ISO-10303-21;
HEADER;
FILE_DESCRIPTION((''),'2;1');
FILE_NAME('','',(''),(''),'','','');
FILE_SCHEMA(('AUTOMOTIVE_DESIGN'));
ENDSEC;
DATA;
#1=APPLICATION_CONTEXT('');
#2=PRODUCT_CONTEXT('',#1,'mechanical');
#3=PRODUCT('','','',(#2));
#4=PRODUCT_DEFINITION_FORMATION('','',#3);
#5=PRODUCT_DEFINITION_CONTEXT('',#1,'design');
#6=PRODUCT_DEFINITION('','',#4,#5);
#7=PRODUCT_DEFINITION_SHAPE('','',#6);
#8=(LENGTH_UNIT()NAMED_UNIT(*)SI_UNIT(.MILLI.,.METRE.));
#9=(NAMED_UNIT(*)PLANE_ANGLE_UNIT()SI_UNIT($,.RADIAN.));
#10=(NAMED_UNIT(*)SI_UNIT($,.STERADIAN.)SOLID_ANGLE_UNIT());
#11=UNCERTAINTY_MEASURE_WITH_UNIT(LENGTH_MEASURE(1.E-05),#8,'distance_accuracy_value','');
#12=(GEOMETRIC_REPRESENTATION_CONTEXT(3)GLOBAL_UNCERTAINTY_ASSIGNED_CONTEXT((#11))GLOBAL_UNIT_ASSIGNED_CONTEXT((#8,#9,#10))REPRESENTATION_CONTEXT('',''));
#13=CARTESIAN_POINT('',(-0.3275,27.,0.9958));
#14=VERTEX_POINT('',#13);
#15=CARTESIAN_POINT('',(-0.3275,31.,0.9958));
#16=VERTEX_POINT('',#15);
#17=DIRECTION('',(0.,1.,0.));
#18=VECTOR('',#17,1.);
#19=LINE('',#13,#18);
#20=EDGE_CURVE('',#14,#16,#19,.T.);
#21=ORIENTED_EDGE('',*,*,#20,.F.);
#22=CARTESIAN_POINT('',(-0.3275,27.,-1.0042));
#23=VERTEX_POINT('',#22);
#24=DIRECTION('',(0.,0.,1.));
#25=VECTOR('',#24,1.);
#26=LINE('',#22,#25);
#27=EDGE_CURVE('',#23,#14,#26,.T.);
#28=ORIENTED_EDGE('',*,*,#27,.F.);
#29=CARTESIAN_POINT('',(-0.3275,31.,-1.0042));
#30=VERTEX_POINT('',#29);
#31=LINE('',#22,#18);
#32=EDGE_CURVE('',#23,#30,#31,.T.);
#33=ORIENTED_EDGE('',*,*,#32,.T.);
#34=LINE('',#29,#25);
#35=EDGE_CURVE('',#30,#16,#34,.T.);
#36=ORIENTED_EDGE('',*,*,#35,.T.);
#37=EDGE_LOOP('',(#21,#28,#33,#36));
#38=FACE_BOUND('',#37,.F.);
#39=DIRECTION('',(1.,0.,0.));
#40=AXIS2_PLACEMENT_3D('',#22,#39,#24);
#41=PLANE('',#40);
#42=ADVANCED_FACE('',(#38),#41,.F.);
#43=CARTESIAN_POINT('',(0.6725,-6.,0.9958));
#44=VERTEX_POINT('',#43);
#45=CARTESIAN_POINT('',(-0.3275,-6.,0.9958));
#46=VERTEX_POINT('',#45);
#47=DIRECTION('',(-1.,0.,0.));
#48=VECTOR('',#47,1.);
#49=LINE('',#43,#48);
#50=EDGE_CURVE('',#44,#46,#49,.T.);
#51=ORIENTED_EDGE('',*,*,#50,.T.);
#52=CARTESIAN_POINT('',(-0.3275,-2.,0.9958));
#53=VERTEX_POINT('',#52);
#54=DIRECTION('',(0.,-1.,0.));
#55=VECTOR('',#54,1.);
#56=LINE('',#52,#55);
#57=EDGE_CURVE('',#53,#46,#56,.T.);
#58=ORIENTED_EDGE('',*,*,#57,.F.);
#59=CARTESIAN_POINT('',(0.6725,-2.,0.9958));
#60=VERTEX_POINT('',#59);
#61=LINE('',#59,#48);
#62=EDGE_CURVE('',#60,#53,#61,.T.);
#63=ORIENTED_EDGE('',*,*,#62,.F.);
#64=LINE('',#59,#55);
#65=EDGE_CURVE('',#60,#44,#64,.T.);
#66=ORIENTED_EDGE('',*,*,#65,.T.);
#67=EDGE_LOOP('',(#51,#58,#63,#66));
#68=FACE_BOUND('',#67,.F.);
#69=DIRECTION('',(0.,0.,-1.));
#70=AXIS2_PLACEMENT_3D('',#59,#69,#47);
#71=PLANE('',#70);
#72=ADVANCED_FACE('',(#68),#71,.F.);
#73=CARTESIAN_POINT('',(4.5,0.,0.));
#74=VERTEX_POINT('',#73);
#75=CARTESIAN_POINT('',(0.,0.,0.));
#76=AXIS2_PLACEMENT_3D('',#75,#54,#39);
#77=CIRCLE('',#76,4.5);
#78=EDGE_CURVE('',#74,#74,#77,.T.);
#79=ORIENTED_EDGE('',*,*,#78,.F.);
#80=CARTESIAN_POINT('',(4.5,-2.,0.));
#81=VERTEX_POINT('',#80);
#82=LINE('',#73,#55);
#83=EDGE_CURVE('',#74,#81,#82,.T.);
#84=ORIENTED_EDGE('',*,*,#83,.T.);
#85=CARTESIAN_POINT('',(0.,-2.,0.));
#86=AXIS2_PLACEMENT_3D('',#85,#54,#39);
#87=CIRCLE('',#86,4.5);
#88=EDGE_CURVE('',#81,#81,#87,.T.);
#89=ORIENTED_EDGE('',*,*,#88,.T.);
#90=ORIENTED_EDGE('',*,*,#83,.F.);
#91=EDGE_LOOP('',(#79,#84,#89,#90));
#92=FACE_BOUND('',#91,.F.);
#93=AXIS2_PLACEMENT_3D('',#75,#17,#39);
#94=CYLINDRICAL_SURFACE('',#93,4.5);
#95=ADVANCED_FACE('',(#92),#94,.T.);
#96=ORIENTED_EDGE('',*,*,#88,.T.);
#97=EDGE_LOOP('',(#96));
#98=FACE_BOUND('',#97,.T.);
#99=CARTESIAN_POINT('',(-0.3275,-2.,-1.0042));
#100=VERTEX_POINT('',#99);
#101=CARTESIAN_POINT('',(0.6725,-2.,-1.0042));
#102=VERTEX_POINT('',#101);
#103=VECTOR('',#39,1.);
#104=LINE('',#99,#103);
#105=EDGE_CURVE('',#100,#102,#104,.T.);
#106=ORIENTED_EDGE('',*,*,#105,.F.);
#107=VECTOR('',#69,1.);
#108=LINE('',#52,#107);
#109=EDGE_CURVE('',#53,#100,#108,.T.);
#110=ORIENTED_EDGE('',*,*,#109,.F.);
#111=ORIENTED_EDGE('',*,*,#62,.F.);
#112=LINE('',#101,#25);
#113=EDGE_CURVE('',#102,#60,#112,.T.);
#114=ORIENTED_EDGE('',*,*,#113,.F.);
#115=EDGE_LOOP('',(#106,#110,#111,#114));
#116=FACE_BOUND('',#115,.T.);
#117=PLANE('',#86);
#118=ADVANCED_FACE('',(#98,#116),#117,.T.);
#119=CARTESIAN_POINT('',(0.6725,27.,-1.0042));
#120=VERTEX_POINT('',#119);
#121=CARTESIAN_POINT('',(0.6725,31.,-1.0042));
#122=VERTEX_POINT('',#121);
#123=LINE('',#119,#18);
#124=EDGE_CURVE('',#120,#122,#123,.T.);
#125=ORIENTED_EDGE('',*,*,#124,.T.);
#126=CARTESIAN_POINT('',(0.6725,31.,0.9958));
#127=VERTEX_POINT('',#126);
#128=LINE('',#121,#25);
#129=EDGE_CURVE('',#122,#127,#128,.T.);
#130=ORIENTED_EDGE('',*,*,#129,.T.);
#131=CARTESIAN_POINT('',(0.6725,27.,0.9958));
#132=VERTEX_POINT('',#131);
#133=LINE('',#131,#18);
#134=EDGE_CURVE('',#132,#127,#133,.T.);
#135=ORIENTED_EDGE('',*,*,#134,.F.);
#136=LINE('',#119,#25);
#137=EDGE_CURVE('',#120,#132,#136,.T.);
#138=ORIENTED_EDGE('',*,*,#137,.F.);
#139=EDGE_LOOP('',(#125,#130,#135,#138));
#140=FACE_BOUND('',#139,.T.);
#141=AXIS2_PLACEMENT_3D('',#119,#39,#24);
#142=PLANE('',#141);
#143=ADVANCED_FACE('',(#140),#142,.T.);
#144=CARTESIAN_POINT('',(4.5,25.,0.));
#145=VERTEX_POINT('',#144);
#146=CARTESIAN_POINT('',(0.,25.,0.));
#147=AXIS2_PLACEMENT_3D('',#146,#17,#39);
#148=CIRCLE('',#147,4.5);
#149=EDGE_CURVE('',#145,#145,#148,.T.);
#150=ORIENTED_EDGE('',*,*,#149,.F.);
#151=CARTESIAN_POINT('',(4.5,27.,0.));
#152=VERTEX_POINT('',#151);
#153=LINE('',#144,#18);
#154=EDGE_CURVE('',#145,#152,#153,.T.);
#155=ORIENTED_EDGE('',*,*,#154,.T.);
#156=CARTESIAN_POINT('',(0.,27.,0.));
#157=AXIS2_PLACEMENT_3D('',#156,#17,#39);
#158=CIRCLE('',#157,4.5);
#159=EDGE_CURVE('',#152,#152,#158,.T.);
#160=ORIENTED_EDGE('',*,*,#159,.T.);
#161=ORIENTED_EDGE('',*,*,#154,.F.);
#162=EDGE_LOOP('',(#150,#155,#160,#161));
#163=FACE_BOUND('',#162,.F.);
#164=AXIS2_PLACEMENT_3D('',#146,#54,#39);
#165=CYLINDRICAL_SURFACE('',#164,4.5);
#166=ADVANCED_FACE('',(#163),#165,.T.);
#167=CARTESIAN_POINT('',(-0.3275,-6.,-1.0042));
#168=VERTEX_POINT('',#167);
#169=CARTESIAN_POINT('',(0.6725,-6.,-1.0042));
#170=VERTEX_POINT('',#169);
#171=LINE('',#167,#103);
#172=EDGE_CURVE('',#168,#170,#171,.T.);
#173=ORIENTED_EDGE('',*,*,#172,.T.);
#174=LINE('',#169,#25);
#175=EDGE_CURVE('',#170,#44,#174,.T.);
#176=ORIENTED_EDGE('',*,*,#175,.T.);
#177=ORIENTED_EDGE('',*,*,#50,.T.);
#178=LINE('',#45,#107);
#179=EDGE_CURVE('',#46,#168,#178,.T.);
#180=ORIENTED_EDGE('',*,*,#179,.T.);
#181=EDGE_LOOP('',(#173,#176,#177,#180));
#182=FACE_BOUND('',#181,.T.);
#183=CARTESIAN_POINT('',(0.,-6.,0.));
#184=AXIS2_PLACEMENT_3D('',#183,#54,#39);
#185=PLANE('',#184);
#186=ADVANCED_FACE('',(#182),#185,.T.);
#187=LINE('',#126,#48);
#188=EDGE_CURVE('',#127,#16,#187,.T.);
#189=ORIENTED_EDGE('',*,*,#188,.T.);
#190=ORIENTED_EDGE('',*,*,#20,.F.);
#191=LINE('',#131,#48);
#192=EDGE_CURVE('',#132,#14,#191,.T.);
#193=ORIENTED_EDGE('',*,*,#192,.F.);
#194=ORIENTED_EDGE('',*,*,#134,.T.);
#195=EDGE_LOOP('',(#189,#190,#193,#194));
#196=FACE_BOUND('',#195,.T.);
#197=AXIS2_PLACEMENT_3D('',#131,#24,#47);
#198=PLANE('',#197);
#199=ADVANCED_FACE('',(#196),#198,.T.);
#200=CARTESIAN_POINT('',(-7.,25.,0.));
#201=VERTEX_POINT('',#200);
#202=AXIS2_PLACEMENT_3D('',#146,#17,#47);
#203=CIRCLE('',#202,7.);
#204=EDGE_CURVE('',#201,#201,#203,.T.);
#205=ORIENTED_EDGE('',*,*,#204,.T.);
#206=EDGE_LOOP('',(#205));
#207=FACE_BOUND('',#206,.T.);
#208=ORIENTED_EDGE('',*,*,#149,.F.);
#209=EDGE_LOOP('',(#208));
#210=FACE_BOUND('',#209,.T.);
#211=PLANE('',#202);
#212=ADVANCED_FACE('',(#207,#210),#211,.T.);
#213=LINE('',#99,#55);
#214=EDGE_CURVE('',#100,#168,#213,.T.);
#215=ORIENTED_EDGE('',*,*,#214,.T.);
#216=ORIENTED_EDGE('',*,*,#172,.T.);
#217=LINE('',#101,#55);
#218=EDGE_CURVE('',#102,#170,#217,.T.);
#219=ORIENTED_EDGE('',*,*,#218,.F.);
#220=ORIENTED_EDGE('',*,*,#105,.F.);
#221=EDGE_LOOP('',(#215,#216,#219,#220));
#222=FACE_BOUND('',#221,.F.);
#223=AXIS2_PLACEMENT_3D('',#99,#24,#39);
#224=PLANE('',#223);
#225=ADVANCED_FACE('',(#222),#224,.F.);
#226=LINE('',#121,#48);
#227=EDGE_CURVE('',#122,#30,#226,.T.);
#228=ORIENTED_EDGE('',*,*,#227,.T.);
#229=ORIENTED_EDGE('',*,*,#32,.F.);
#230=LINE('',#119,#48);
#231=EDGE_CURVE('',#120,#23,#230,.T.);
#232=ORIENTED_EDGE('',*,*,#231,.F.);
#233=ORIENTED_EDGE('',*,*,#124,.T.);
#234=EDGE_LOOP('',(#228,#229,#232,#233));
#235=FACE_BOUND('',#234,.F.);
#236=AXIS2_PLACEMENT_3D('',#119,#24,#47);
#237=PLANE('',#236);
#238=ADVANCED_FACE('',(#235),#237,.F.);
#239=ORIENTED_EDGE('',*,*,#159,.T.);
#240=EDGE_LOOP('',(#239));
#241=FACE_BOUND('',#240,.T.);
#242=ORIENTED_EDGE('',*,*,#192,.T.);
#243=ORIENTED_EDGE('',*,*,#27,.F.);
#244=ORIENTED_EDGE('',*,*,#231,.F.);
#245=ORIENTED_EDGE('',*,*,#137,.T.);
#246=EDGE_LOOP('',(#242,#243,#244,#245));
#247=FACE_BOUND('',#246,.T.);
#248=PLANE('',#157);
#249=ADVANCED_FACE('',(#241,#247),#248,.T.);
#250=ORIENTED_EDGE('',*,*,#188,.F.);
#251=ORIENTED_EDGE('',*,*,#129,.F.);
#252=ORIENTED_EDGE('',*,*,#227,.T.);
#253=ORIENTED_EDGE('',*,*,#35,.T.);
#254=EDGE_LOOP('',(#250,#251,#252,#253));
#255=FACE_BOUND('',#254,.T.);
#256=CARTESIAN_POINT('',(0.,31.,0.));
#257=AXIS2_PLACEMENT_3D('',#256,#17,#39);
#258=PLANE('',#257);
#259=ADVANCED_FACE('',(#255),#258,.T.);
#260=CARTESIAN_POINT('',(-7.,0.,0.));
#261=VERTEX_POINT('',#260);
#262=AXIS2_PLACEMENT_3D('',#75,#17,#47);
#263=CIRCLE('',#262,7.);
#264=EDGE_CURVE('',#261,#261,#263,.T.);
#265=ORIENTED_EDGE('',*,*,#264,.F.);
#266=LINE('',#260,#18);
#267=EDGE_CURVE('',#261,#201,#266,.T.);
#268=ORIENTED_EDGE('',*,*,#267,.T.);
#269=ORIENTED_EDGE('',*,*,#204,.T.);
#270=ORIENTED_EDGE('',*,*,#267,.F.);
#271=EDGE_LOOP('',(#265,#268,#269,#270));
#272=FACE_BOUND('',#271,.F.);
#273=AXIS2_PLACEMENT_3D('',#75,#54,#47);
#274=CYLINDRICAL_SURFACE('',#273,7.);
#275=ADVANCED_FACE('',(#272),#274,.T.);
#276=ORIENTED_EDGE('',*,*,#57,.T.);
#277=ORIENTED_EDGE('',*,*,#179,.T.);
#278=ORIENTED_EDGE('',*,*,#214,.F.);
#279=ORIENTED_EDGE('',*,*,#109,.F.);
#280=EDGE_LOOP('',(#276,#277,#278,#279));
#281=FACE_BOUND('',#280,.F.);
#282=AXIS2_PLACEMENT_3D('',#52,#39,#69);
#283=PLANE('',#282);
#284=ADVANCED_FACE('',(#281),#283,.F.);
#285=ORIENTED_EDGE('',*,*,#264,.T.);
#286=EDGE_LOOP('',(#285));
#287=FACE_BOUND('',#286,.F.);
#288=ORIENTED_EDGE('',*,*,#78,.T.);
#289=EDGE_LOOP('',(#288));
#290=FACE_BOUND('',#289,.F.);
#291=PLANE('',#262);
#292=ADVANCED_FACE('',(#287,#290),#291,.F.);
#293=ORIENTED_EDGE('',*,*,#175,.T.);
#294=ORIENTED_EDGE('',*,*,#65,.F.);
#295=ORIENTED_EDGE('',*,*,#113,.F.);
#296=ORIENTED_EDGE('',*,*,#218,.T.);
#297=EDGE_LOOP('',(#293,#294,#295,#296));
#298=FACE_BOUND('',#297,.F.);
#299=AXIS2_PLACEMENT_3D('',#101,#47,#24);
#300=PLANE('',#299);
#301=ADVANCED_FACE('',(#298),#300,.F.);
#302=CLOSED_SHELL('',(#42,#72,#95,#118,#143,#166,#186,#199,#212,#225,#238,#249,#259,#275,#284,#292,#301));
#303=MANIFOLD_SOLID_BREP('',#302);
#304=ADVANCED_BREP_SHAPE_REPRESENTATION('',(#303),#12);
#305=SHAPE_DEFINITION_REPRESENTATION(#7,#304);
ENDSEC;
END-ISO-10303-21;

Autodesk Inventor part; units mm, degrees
ref_plane "YZ Plane" through (0, 0, 0) normal (1, 0, 0) x (0, 1, 0)
ref_plane "XZ Plane" through (0, 0, 0) normal (0, 1, 0) x (-1, 0, 0)
ref_plane "XY Plane" through (0, 0, 0) normal (0, 0, 1) x (1, 0, 0)
sketch "Sketch1" plane through (0, 0, 0) normal (0, 1, 0) x (-1, 0, 0)
  circle A0 centre (0, 0) radius 7
  dimension "d0" = 14
extrude "Extrusion1" add sketch "Sketch1" along normal blind 25
sketch "Sketch2" plane through (0, 25, 0) normal (0, 1, 0) x (1, 0, 0)
  circle A0 centre (0, 0) radius 4.5
  dimension "d3" = 9
sketch "Sketch3" plane through (0, 0, 0) normal (0, -1, 0) x (1, 0, 0)
  circle A0 centre (0, 0) radius 4.5
  dimension "d4" = 9
extrude "Extrusion2" add sketch "Sketch3" along normal mid plane 4
extrude "Extrusion3" add sketch "Sketch2" along normal blind 2
sketch "Sketch4" plane through (0, -2, 0) normal (0, -1, 0) x (1, 0, 0)
  line L0 (-0.3275, -1.0042) -> (0.6725, -1.0042)
  line L1 (0.6725, -1.0042) -> (0.6725, 0.9958)
  line L2 (0.6725, 0.9958) -> (-0.3275, 0.9958)
  line L3 (-0.3275, 0.9958) -> (-0.3275, -1.0042)
  point P0 (0, 0)
  dimension "d9" = 1
  dimension "d10" = 2
extrude "Extrusion4" add sketch "Sketch4" along normal blind 4
sketch "Sketch5" plane through (0, 27, 0) normal (0, 1, 0) x (1, 0, 0)
  line L0 (0.6725, -0.9958) -> (-0.3275, -0.9958) projected
  line L1 (0.6725, 1.0042) -> (0.6725, -0.9958) projected
  line L2 (-0.3275, -0.9958) -> (0.6725, -0.9958)
  line L3 (0.6725, -0.9958) -> (0.6725, 1.0042)
  line L4 (0.6725, 1.0042) -> (-0.3275, 1.0042)
  line L5 (-0.3275, 1.0042) -> (-0.3275, -0.9958)
  point P0 (0, 0)
extrude "Extrusion5" add sketch "Sketch5" along normal blind 4
properties part number "tilt"
